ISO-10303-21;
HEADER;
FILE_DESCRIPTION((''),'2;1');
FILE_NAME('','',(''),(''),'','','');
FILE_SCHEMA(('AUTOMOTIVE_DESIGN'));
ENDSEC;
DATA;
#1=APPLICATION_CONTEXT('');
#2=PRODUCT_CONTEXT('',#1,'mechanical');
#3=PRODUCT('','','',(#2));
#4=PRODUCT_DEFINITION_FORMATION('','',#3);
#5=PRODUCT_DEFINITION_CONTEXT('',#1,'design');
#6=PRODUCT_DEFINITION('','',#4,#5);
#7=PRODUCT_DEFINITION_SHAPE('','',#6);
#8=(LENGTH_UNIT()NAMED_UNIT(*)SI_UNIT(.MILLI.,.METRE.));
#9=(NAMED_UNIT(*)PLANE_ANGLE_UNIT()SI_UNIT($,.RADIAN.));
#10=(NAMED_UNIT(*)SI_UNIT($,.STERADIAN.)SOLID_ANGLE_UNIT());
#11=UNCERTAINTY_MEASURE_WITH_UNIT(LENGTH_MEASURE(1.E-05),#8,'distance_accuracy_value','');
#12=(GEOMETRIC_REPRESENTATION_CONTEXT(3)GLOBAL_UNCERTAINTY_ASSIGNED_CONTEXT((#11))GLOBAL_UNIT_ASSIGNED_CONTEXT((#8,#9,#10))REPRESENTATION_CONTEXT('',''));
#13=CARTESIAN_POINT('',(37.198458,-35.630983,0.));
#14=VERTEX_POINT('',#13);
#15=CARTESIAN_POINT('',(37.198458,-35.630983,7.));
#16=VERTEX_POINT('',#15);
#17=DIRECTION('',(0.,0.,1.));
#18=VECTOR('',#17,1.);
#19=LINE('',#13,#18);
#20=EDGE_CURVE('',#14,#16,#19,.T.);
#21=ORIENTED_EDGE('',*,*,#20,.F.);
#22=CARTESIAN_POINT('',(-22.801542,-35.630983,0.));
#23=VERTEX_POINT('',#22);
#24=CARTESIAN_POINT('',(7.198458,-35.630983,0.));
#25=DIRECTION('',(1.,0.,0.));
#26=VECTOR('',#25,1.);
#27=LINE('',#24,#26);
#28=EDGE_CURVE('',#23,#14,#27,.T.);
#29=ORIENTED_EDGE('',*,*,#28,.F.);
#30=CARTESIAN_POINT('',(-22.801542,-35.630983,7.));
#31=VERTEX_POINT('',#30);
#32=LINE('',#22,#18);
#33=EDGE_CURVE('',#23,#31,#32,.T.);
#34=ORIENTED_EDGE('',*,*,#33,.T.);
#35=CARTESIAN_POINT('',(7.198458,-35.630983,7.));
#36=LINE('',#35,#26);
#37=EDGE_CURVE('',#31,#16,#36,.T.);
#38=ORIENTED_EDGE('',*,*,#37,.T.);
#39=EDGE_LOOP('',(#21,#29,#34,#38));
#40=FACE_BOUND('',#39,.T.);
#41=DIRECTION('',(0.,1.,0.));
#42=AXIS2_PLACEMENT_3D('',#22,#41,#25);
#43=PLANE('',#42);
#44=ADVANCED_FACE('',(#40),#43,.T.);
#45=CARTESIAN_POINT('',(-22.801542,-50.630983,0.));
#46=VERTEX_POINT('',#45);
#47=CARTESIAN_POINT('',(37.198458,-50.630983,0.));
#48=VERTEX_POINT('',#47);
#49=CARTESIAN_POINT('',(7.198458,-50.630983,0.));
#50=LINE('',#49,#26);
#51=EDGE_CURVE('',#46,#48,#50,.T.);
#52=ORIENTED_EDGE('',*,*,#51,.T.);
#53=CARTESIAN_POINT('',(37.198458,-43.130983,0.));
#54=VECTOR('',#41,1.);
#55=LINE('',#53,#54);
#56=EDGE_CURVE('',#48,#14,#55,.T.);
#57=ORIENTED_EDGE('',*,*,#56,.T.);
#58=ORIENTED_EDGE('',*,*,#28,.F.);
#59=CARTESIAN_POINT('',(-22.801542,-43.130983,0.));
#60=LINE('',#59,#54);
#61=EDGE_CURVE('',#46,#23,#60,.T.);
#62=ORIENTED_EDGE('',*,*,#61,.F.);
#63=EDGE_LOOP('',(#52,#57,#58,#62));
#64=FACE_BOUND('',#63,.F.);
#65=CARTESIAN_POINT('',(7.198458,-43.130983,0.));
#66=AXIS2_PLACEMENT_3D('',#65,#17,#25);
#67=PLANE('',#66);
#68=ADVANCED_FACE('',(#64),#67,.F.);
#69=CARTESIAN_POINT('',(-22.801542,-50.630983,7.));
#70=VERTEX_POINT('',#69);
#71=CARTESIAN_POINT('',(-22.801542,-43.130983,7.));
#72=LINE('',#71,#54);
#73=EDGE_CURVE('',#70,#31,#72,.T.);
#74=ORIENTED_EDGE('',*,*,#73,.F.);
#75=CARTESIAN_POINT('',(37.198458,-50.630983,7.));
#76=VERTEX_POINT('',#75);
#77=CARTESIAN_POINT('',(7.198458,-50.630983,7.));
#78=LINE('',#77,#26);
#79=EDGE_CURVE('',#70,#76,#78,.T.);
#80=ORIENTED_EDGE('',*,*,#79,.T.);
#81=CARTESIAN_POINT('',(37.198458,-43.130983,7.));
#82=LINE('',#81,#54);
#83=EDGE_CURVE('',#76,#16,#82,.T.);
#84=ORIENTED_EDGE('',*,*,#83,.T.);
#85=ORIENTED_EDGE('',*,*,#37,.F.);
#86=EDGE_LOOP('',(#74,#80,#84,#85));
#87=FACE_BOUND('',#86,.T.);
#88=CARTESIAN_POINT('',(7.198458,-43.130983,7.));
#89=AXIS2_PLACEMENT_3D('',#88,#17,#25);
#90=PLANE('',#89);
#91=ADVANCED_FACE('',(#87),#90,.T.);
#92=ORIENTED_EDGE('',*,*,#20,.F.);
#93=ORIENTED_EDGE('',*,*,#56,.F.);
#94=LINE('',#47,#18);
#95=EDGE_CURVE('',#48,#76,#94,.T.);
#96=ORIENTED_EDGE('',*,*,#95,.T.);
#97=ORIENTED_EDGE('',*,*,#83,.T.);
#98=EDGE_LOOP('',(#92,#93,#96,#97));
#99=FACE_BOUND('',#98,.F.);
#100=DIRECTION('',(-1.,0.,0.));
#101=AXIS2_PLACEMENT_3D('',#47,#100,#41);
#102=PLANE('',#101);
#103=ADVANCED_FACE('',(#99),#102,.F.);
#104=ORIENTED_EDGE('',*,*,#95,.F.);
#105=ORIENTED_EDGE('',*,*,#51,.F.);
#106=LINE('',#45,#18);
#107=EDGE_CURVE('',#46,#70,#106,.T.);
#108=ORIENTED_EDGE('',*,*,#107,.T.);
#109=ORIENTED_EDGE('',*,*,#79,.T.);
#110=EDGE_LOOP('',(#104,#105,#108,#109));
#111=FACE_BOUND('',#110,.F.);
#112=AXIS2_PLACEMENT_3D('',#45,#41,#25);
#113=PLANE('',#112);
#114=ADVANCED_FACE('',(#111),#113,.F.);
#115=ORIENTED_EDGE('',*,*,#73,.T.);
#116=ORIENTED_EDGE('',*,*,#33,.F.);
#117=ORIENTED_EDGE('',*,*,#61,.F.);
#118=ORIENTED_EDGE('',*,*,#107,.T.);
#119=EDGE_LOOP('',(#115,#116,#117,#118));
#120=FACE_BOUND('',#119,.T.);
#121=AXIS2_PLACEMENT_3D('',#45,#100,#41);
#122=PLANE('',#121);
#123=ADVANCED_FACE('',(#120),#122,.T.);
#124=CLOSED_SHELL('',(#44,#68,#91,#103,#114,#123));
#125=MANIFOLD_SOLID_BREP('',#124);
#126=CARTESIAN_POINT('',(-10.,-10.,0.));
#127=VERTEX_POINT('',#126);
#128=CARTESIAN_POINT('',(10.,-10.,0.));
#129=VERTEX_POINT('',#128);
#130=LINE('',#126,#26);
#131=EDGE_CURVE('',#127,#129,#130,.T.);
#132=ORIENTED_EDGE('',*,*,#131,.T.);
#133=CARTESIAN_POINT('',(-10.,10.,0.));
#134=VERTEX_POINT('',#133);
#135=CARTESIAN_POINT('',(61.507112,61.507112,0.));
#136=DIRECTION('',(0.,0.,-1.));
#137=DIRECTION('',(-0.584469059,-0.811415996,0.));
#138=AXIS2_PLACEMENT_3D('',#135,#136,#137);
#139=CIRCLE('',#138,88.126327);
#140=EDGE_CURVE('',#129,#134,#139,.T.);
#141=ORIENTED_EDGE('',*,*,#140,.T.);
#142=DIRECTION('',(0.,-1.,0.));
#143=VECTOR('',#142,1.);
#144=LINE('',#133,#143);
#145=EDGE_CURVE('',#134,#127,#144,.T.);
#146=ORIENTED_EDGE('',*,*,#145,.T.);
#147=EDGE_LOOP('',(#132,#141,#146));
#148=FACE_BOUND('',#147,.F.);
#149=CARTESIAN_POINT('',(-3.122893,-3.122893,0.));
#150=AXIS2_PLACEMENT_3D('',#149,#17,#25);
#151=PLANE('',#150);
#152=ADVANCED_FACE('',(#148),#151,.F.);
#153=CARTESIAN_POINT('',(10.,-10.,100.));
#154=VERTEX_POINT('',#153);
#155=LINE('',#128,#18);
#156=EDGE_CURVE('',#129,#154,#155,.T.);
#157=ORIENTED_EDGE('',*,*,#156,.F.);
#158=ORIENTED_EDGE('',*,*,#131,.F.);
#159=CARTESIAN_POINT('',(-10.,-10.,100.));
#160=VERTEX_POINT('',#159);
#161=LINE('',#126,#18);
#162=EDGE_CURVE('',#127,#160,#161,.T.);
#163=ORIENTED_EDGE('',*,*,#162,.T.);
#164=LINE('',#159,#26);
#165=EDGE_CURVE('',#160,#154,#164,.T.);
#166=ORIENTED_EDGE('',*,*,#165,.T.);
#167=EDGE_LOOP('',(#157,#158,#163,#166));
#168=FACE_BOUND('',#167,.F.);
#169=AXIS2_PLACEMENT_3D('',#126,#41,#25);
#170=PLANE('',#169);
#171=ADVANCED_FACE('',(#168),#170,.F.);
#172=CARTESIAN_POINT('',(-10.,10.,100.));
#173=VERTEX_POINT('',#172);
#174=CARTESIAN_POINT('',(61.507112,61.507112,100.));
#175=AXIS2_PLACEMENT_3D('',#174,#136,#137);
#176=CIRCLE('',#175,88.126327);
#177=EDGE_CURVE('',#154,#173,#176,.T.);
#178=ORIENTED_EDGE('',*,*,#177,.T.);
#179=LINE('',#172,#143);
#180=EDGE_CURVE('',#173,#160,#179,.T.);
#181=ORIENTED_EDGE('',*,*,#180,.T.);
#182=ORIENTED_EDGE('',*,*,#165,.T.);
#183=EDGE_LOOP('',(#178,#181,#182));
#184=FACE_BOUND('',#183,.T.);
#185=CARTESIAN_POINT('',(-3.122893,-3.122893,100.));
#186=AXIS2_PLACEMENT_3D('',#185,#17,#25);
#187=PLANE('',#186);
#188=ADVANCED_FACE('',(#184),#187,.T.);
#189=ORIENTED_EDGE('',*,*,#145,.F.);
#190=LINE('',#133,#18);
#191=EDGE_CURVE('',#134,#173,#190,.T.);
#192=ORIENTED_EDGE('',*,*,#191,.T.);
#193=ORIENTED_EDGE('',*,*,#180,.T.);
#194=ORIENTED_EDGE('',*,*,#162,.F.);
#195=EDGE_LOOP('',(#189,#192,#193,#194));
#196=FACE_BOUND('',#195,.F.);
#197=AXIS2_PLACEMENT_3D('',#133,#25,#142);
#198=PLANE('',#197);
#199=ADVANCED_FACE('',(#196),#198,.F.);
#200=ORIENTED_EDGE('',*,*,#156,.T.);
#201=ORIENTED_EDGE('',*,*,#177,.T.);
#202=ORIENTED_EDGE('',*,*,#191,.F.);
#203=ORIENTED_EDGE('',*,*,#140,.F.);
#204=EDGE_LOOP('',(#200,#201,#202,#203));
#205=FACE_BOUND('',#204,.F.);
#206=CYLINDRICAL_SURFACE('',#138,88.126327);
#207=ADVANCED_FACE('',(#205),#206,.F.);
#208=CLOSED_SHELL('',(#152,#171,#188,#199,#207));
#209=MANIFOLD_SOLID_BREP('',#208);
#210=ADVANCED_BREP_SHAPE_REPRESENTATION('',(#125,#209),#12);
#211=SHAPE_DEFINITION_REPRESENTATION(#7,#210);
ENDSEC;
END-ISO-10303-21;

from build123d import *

# Parameters (mm, degrees)
F1_DEPTH = 100
F2_W     = 60
F2_H     = 15
F3_DEPTH = 7


with BuildPart() as f1:
    # F0 (on Top) → F1 (new body)
    with BuildSketch(Plane.XY):
        with BuildLine():
            Line((-10, 10), (-10, -10))
            Line((-10, -10), (10, -10))
            ThreePointArc((10, -10), (-0.807612, -0.807612), (-10, 10))
        make_face()
    extrude(amount=F1_DEPTH)


with BuildPart() as f3:
    # F2 (on Top) → F3 (new body)
    with BuildSketch(Plane.XY):
        with Locations((7.198458, -43.130983)):
            Rectangle(F2_W, F2_H)
    extrude(amount=F3_DEPTH)


solid = Compound([f1.part, f3.part])
